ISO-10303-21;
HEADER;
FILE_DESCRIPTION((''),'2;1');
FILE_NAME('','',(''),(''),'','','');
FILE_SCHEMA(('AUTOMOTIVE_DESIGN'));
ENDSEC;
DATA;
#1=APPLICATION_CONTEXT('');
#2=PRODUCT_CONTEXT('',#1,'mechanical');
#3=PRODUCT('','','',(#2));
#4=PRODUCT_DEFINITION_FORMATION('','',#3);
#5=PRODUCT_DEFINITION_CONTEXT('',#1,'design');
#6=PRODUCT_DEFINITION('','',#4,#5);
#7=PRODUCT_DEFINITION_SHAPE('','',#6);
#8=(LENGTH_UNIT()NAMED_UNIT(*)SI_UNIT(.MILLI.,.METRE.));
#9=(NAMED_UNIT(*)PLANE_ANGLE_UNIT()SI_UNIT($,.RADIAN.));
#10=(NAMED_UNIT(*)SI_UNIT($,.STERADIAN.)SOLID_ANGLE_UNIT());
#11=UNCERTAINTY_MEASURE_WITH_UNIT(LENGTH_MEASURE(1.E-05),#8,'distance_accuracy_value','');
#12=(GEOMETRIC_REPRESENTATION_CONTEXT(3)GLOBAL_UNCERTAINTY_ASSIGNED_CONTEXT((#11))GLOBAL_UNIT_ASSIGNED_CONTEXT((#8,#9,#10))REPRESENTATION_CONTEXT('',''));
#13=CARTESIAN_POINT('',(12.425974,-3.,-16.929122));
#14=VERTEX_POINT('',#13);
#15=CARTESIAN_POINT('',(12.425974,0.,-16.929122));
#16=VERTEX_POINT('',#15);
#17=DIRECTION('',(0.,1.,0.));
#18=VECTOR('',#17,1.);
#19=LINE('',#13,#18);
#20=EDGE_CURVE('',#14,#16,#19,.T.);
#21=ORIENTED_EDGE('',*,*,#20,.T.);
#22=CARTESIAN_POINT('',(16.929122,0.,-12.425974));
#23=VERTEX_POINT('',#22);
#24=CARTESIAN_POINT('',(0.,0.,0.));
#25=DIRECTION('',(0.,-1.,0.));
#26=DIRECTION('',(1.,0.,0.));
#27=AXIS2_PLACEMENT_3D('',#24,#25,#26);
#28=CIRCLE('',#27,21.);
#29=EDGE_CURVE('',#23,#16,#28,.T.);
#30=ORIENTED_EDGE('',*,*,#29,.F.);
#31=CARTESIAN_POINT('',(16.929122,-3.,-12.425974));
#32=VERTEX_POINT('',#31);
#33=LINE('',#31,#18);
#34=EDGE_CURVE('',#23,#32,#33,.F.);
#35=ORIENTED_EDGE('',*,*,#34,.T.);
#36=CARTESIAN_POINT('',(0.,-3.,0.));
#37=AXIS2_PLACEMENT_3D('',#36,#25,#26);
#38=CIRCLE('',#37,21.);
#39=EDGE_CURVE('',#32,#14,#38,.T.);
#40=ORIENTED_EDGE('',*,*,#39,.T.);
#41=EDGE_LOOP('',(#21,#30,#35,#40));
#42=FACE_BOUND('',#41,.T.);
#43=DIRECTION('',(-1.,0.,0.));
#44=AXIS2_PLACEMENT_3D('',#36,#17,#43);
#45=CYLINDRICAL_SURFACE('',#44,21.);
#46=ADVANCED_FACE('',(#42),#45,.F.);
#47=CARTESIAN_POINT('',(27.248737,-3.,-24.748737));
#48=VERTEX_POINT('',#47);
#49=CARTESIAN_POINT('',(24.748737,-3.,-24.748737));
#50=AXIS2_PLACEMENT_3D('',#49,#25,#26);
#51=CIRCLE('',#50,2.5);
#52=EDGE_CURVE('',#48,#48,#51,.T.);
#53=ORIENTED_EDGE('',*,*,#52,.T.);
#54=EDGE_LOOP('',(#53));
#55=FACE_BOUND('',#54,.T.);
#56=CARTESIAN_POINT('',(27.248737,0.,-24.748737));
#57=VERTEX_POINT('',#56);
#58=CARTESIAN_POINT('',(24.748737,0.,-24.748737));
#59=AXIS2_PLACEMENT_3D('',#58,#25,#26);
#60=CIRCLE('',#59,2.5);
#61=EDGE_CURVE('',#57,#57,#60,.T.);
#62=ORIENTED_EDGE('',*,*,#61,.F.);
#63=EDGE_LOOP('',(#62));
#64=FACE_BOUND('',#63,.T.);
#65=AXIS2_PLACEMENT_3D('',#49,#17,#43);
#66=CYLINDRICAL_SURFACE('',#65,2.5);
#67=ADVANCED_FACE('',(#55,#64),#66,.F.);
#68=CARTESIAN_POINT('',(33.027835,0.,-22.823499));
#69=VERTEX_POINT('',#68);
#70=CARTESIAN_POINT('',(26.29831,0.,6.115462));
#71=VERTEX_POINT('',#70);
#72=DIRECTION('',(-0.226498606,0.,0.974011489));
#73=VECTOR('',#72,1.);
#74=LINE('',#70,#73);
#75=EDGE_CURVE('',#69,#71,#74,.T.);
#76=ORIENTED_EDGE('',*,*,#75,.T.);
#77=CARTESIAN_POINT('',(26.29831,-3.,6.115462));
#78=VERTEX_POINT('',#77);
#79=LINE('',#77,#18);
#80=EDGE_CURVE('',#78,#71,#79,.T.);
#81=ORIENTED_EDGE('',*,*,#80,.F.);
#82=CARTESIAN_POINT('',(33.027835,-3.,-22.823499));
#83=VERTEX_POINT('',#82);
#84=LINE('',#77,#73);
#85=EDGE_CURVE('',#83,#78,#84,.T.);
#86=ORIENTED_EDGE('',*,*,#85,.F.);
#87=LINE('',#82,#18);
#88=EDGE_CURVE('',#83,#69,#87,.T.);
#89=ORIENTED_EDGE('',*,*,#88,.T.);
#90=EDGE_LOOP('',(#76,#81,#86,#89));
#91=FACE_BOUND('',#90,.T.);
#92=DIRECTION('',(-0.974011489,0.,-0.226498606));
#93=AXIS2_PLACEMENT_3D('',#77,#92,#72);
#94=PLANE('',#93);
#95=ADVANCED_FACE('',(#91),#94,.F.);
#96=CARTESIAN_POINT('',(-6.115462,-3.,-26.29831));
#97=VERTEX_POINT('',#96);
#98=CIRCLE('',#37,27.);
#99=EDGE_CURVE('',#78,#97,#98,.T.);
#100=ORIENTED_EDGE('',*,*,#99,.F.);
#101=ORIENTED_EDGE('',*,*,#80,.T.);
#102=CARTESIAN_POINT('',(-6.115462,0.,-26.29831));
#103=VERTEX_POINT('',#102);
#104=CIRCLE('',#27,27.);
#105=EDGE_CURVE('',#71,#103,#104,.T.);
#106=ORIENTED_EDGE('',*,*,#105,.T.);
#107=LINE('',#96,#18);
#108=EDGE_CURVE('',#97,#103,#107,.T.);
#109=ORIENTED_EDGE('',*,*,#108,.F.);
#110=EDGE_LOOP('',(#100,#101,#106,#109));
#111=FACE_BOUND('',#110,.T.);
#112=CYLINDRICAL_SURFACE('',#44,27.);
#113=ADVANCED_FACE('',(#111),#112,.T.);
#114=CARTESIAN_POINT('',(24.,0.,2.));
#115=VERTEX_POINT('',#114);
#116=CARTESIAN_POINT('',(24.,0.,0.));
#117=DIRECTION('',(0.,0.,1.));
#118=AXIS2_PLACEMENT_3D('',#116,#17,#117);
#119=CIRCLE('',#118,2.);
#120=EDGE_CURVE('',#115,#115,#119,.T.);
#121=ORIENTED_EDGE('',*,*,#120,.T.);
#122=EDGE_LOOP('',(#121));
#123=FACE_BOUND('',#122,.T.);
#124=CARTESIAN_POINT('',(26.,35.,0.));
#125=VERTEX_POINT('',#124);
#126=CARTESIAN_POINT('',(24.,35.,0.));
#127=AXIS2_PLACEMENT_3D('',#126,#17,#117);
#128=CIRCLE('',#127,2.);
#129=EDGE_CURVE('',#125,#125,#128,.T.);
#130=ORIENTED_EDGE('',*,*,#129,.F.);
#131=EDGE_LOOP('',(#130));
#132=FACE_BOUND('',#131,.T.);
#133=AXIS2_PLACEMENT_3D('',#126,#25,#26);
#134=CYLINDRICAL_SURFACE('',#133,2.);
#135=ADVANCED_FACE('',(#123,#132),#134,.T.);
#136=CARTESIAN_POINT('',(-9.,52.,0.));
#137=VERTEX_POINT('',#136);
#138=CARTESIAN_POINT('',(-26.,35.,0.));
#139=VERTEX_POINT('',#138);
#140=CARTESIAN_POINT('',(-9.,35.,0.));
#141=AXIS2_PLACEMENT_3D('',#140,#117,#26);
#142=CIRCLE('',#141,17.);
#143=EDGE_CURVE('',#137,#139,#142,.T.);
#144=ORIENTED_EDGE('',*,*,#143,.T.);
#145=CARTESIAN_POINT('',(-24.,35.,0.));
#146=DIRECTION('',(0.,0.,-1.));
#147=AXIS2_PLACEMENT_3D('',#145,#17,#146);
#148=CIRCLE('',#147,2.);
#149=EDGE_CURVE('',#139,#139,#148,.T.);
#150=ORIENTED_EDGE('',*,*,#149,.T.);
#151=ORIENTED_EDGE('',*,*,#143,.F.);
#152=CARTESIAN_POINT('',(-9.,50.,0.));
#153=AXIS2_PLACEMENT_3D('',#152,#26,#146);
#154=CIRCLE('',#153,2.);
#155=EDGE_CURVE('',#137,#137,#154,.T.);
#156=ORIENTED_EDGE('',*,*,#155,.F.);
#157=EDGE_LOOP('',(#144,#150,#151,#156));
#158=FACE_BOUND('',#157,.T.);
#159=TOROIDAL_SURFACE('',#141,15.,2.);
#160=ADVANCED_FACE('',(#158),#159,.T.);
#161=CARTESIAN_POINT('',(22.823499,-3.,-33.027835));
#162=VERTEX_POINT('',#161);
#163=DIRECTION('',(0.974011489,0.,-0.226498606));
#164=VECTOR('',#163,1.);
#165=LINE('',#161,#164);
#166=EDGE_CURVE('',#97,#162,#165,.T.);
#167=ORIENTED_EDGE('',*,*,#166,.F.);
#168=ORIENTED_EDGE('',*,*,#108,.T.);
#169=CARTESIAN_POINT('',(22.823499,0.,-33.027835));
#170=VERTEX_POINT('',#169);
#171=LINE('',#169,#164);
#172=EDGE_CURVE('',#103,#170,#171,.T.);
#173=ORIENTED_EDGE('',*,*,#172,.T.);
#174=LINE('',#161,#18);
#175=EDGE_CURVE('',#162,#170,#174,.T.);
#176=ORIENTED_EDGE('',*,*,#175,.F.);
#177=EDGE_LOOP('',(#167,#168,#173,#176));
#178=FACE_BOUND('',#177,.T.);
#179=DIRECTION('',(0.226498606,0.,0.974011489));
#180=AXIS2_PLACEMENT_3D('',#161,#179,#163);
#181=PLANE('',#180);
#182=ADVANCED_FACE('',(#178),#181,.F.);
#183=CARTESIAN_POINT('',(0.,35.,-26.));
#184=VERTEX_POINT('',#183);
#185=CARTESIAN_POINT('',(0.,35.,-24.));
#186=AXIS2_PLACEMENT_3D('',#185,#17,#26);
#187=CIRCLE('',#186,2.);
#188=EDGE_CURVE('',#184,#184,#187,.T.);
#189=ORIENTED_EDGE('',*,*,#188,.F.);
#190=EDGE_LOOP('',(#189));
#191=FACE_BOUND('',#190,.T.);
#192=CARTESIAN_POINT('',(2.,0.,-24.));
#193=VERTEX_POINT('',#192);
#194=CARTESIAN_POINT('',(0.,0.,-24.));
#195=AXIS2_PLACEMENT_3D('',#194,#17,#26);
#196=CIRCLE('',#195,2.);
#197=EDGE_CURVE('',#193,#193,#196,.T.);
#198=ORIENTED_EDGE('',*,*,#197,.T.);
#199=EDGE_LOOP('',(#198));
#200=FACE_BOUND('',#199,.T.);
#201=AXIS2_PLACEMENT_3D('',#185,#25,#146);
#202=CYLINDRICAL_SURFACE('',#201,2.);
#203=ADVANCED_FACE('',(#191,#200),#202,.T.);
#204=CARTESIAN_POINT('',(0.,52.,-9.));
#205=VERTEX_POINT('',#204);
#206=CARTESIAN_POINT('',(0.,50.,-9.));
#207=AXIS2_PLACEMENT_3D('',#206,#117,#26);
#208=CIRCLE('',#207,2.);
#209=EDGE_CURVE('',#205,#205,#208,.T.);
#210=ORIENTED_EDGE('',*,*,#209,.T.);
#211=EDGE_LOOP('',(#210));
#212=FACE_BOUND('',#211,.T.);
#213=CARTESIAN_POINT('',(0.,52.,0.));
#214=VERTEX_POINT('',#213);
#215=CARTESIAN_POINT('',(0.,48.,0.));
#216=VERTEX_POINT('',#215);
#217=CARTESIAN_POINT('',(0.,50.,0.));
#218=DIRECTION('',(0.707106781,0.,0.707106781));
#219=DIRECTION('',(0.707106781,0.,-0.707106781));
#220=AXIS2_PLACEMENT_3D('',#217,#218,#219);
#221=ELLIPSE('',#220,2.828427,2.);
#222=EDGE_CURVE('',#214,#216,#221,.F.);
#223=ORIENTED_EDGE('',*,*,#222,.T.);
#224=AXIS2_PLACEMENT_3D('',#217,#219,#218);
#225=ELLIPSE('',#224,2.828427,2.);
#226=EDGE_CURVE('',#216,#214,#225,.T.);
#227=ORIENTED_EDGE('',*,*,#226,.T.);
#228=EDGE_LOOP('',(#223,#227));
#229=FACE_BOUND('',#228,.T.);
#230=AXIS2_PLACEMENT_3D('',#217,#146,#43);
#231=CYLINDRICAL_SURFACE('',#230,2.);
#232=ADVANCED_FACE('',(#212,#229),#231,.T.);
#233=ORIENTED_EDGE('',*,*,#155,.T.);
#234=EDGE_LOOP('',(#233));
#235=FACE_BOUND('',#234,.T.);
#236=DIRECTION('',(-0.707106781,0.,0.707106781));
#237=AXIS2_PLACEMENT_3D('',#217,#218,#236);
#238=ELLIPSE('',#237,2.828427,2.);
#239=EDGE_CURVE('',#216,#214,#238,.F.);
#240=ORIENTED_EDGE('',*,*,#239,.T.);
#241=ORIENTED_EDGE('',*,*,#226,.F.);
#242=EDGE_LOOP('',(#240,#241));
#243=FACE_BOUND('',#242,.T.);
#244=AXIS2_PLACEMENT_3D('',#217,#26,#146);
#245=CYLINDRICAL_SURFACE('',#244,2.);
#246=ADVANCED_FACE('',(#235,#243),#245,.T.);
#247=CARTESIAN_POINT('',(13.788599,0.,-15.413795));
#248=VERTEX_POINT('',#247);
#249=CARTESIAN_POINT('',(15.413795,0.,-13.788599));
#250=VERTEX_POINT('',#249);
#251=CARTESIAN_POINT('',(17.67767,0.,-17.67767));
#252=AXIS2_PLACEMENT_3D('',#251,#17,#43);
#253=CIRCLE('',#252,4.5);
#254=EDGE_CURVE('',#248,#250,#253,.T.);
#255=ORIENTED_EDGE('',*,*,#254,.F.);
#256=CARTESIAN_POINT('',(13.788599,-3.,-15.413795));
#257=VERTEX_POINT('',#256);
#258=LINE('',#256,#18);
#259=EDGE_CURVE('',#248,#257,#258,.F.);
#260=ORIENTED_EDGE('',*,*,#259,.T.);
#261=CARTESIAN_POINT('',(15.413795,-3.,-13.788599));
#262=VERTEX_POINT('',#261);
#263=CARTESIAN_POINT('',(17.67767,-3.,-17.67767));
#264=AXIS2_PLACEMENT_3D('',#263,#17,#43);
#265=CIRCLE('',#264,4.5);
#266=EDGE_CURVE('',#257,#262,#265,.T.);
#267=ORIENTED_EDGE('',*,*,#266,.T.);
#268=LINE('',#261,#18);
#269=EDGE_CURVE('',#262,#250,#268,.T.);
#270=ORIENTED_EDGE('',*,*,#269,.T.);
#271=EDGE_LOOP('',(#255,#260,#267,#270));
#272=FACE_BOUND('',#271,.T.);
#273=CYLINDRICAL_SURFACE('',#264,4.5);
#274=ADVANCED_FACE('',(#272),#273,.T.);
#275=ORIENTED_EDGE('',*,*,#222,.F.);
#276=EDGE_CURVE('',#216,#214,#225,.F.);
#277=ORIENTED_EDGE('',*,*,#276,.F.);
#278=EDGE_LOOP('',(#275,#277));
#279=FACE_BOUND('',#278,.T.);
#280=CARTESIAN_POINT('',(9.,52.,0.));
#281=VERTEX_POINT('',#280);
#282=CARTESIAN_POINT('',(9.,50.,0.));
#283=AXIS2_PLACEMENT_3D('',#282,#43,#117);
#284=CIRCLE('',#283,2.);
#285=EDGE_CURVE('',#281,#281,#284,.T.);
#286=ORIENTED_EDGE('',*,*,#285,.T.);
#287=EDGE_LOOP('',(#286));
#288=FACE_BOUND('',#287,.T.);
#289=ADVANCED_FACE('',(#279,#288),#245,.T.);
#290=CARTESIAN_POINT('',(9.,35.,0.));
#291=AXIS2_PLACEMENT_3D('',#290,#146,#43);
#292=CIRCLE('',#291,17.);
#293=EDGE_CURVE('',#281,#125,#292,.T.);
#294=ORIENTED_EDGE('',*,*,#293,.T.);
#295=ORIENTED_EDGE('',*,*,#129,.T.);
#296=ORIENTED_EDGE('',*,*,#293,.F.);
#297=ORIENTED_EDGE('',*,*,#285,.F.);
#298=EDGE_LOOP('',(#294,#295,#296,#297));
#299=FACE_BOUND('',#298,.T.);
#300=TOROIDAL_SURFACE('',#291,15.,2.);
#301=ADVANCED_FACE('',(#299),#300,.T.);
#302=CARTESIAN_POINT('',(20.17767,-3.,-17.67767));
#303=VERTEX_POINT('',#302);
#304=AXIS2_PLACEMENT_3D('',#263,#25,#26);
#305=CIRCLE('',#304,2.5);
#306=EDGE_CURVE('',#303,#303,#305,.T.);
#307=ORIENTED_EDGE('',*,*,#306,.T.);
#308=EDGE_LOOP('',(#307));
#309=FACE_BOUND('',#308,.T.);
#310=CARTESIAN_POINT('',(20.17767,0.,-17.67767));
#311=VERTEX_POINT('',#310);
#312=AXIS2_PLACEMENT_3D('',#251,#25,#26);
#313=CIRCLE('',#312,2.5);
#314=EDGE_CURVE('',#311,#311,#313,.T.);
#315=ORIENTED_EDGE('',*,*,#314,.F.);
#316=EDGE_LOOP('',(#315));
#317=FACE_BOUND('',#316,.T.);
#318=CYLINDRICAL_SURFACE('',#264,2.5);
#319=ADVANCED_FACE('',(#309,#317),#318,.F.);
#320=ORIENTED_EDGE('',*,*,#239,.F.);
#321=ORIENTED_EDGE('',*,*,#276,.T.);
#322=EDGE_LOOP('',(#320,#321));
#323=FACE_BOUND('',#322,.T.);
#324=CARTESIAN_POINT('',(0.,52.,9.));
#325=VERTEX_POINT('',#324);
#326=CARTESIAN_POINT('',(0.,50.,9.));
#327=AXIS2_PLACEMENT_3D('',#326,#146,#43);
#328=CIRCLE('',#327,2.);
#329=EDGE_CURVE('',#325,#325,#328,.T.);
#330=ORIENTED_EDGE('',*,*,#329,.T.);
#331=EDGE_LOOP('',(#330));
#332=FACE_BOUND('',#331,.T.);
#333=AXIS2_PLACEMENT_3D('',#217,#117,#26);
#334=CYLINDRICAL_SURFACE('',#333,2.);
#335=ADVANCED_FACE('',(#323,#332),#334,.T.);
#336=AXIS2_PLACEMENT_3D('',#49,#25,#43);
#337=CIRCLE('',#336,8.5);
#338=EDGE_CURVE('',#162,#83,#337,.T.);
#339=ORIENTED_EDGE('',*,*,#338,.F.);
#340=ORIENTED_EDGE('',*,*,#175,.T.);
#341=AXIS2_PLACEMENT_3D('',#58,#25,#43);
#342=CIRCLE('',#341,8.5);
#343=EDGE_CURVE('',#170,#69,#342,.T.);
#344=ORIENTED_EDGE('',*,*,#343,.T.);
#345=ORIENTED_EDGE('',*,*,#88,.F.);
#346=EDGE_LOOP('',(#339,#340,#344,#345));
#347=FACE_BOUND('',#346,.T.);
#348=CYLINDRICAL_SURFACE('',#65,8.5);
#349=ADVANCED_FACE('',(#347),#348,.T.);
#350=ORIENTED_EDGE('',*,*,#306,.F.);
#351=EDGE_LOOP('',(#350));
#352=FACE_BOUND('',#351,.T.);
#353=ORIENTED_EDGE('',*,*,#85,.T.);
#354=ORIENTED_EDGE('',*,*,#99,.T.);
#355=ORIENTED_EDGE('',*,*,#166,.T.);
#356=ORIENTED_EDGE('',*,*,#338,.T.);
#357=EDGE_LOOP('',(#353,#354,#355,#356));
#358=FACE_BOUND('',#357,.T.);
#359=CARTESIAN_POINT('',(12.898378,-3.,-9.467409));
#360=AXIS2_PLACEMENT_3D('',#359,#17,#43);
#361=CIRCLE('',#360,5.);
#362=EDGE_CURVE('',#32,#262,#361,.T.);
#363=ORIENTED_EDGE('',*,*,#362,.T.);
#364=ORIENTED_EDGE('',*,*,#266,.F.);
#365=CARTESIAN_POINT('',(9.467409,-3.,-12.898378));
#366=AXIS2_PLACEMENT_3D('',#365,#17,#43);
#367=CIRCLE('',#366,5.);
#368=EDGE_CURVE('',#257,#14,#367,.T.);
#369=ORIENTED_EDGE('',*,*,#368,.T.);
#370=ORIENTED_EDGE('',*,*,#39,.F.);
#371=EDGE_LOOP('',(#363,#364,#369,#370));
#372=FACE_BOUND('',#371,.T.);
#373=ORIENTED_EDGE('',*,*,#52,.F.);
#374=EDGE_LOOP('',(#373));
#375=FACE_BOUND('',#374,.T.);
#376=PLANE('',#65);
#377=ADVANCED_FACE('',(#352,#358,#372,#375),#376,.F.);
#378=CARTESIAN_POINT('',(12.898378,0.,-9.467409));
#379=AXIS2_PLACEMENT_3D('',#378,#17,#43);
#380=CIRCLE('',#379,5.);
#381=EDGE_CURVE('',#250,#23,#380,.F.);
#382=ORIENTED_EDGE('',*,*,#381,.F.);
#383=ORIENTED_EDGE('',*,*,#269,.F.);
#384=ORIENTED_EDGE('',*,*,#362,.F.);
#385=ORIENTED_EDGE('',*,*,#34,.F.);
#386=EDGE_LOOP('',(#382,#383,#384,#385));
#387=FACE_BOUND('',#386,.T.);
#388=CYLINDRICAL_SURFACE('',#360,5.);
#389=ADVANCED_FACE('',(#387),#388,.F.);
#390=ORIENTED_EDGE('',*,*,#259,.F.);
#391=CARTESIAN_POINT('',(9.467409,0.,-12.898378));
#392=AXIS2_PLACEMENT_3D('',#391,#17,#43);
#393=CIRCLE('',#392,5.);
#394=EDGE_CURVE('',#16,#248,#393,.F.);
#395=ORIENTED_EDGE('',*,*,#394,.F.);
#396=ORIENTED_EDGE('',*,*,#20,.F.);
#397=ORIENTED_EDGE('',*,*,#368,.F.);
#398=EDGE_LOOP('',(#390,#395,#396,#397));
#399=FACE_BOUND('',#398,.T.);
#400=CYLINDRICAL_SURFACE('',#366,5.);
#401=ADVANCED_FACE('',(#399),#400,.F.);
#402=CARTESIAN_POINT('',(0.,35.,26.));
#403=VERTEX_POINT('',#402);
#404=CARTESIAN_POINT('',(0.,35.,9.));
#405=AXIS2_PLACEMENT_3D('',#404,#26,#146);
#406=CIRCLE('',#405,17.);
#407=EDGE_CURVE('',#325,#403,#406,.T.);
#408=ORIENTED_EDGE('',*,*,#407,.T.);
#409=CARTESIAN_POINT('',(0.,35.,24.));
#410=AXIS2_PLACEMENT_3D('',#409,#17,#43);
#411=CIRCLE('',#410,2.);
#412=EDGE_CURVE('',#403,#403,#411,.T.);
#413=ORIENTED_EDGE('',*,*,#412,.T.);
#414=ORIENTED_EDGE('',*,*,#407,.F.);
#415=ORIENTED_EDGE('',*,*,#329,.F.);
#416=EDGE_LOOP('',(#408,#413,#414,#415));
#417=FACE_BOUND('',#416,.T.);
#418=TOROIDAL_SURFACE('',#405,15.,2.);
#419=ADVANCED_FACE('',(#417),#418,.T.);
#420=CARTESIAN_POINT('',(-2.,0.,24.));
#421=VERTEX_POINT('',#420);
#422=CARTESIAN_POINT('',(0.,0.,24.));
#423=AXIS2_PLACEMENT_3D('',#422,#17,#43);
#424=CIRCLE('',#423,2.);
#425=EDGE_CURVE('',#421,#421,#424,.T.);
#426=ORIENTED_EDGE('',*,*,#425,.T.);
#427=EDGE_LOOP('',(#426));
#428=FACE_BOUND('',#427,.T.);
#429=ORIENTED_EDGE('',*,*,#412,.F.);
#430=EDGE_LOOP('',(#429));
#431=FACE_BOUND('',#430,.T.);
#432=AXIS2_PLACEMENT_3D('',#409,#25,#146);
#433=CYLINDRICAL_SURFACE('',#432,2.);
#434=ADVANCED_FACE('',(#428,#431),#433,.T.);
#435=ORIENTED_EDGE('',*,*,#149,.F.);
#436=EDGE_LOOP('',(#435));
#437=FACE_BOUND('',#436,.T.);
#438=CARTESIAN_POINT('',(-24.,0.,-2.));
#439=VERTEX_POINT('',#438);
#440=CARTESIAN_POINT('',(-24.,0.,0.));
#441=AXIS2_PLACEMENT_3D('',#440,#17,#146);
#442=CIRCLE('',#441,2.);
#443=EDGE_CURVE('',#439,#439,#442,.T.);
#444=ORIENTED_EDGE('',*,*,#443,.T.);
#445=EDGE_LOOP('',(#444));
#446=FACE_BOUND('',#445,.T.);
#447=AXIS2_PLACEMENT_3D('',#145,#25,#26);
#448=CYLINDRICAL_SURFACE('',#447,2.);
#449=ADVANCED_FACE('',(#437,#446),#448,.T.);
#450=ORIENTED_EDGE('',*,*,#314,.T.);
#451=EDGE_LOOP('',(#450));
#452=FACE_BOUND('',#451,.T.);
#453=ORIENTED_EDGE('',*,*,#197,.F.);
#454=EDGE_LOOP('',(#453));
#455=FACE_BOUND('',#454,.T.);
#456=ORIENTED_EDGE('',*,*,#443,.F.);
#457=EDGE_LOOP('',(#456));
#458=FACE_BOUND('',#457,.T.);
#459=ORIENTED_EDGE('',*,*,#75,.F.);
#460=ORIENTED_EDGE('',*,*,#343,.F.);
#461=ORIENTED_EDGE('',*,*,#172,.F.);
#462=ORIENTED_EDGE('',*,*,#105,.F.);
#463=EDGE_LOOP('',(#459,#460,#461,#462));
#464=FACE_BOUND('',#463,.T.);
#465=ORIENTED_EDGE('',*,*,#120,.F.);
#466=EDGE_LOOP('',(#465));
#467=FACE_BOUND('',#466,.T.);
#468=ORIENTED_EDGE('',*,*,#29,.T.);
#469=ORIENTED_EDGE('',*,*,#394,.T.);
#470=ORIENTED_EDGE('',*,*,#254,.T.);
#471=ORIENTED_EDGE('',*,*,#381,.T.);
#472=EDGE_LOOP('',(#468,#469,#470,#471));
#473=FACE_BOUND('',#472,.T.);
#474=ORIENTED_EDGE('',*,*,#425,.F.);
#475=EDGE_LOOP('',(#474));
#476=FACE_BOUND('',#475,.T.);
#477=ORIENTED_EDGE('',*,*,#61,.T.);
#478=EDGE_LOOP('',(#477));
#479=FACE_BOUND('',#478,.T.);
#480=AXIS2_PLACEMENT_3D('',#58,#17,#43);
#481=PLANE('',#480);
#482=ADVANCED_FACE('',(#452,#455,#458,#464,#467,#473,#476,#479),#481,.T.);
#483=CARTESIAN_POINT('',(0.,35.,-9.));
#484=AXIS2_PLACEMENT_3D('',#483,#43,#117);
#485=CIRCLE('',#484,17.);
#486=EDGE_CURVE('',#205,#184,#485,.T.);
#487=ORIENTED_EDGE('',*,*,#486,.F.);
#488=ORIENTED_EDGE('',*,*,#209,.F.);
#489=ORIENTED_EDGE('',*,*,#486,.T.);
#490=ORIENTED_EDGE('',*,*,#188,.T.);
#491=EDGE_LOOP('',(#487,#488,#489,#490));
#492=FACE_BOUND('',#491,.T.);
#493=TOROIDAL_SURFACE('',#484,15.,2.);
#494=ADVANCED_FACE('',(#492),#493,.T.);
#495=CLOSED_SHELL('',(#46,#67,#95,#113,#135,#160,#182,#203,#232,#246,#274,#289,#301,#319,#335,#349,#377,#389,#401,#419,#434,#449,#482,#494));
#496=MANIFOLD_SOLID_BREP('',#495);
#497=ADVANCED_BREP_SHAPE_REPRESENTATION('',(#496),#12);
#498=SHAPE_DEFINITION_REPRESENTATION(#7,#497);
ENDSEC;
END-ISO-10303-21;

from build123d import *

# Parameters (mm, degrees)
ESQUISSE2_R                  = 2
R_P_TITION_CIRCULAIRE1_COUNT = 4
ESQUISSE4_R                  = 2.5
BOSS_EXTRU_1_DEPTH           = 3
CONG_1_R                     = 5


with BuildPart() as part:
    # Balayage1: sweep along a path in Esquisse1
    with BuildLine(Plane.XY) as balayage1_path:
        Line((0, 50), (9, 50))
        ThreePointArc((9, 50), (19.606601718, 45.606601718), (24, 35))
        Line((24, 35), (24, 0))
    # Esquisse2 → Balayage1 (sweep)
    with BuildSketch(Plane(origin=(0, 0, 0), x_dir=(1, 0, 0), z_dir=(0, 1, 0))):
        with Locations((24, 0)):
            Circle(ESQUISSE2_R)
    balayage1 = sweep(path=balayage1_path.line)

    # Répétition circulaire1: Balayage1 ×4 about axis
    r_p_tition_circulaire1_axis = Axis((0, 0, 0), (0, 1, 0))
    for i in range(1, R_P_TITION_CIRCULAIRE1_COUNT):
        add(balayage1.rotate(r_p_tition_circulaire1_axis, i * 360 / R_P_TITION_CIRCULAIRE1_COUNT))

    # Esquisse4 → Boss.-Extru.1 (add)
    with BuildSketch(Plane.XZ):
        with BuildLine():
            Line((26.298310212, 6.115462371), (33.027835001, -22.823499188))
            ThreePointArc((33.027835001, -22.823499188), (30.759144982, -30.759144982), (22.823499188, -33.027835001))
            Line((22.823499188, -33.027835001), (-6.115462371, -26.298310212))
            ThreePointArc((-6.115462371, -26.298310212), (-19.091883092, 19.091883092), (26.298310212, 6.115462371))
        make_face()
        with Locations((17.67766953, -17.67766953)):
            Circle(ESQUISSE4_R, mode=Mode.SUBTRACT)
        with Locations((24.748737342, -24.748737342)):
            Circle(ESQUISSE4_R, mode=Mode.SUBTRACT)
        with BuildLine():
            ThreePointArc((13.454452036, -16.123824621), (14.495689014, -14.495689014), (16.123824621, -13.454452036))
            ThreePointArc((16.123824621, -13.454452036), (-14.849242405, 14.849242405), (13.454452036, -16.123824621))
        make_face(mode=Mode.SUBTRACT)
    extrude(amount=BOSS_EXTRU_1_DEPTH)

    # Congé1
    cong_1_edges = [part.edges().sort_by_distance(p)[0] for p in [
        (13.454452036, -1.5, -16.123824621),
        (16.123824621, -1.5, -13.454452036),
    ]]
    fillet(cong_1_edges, radius=CONG_1_R)


solid = part.part
